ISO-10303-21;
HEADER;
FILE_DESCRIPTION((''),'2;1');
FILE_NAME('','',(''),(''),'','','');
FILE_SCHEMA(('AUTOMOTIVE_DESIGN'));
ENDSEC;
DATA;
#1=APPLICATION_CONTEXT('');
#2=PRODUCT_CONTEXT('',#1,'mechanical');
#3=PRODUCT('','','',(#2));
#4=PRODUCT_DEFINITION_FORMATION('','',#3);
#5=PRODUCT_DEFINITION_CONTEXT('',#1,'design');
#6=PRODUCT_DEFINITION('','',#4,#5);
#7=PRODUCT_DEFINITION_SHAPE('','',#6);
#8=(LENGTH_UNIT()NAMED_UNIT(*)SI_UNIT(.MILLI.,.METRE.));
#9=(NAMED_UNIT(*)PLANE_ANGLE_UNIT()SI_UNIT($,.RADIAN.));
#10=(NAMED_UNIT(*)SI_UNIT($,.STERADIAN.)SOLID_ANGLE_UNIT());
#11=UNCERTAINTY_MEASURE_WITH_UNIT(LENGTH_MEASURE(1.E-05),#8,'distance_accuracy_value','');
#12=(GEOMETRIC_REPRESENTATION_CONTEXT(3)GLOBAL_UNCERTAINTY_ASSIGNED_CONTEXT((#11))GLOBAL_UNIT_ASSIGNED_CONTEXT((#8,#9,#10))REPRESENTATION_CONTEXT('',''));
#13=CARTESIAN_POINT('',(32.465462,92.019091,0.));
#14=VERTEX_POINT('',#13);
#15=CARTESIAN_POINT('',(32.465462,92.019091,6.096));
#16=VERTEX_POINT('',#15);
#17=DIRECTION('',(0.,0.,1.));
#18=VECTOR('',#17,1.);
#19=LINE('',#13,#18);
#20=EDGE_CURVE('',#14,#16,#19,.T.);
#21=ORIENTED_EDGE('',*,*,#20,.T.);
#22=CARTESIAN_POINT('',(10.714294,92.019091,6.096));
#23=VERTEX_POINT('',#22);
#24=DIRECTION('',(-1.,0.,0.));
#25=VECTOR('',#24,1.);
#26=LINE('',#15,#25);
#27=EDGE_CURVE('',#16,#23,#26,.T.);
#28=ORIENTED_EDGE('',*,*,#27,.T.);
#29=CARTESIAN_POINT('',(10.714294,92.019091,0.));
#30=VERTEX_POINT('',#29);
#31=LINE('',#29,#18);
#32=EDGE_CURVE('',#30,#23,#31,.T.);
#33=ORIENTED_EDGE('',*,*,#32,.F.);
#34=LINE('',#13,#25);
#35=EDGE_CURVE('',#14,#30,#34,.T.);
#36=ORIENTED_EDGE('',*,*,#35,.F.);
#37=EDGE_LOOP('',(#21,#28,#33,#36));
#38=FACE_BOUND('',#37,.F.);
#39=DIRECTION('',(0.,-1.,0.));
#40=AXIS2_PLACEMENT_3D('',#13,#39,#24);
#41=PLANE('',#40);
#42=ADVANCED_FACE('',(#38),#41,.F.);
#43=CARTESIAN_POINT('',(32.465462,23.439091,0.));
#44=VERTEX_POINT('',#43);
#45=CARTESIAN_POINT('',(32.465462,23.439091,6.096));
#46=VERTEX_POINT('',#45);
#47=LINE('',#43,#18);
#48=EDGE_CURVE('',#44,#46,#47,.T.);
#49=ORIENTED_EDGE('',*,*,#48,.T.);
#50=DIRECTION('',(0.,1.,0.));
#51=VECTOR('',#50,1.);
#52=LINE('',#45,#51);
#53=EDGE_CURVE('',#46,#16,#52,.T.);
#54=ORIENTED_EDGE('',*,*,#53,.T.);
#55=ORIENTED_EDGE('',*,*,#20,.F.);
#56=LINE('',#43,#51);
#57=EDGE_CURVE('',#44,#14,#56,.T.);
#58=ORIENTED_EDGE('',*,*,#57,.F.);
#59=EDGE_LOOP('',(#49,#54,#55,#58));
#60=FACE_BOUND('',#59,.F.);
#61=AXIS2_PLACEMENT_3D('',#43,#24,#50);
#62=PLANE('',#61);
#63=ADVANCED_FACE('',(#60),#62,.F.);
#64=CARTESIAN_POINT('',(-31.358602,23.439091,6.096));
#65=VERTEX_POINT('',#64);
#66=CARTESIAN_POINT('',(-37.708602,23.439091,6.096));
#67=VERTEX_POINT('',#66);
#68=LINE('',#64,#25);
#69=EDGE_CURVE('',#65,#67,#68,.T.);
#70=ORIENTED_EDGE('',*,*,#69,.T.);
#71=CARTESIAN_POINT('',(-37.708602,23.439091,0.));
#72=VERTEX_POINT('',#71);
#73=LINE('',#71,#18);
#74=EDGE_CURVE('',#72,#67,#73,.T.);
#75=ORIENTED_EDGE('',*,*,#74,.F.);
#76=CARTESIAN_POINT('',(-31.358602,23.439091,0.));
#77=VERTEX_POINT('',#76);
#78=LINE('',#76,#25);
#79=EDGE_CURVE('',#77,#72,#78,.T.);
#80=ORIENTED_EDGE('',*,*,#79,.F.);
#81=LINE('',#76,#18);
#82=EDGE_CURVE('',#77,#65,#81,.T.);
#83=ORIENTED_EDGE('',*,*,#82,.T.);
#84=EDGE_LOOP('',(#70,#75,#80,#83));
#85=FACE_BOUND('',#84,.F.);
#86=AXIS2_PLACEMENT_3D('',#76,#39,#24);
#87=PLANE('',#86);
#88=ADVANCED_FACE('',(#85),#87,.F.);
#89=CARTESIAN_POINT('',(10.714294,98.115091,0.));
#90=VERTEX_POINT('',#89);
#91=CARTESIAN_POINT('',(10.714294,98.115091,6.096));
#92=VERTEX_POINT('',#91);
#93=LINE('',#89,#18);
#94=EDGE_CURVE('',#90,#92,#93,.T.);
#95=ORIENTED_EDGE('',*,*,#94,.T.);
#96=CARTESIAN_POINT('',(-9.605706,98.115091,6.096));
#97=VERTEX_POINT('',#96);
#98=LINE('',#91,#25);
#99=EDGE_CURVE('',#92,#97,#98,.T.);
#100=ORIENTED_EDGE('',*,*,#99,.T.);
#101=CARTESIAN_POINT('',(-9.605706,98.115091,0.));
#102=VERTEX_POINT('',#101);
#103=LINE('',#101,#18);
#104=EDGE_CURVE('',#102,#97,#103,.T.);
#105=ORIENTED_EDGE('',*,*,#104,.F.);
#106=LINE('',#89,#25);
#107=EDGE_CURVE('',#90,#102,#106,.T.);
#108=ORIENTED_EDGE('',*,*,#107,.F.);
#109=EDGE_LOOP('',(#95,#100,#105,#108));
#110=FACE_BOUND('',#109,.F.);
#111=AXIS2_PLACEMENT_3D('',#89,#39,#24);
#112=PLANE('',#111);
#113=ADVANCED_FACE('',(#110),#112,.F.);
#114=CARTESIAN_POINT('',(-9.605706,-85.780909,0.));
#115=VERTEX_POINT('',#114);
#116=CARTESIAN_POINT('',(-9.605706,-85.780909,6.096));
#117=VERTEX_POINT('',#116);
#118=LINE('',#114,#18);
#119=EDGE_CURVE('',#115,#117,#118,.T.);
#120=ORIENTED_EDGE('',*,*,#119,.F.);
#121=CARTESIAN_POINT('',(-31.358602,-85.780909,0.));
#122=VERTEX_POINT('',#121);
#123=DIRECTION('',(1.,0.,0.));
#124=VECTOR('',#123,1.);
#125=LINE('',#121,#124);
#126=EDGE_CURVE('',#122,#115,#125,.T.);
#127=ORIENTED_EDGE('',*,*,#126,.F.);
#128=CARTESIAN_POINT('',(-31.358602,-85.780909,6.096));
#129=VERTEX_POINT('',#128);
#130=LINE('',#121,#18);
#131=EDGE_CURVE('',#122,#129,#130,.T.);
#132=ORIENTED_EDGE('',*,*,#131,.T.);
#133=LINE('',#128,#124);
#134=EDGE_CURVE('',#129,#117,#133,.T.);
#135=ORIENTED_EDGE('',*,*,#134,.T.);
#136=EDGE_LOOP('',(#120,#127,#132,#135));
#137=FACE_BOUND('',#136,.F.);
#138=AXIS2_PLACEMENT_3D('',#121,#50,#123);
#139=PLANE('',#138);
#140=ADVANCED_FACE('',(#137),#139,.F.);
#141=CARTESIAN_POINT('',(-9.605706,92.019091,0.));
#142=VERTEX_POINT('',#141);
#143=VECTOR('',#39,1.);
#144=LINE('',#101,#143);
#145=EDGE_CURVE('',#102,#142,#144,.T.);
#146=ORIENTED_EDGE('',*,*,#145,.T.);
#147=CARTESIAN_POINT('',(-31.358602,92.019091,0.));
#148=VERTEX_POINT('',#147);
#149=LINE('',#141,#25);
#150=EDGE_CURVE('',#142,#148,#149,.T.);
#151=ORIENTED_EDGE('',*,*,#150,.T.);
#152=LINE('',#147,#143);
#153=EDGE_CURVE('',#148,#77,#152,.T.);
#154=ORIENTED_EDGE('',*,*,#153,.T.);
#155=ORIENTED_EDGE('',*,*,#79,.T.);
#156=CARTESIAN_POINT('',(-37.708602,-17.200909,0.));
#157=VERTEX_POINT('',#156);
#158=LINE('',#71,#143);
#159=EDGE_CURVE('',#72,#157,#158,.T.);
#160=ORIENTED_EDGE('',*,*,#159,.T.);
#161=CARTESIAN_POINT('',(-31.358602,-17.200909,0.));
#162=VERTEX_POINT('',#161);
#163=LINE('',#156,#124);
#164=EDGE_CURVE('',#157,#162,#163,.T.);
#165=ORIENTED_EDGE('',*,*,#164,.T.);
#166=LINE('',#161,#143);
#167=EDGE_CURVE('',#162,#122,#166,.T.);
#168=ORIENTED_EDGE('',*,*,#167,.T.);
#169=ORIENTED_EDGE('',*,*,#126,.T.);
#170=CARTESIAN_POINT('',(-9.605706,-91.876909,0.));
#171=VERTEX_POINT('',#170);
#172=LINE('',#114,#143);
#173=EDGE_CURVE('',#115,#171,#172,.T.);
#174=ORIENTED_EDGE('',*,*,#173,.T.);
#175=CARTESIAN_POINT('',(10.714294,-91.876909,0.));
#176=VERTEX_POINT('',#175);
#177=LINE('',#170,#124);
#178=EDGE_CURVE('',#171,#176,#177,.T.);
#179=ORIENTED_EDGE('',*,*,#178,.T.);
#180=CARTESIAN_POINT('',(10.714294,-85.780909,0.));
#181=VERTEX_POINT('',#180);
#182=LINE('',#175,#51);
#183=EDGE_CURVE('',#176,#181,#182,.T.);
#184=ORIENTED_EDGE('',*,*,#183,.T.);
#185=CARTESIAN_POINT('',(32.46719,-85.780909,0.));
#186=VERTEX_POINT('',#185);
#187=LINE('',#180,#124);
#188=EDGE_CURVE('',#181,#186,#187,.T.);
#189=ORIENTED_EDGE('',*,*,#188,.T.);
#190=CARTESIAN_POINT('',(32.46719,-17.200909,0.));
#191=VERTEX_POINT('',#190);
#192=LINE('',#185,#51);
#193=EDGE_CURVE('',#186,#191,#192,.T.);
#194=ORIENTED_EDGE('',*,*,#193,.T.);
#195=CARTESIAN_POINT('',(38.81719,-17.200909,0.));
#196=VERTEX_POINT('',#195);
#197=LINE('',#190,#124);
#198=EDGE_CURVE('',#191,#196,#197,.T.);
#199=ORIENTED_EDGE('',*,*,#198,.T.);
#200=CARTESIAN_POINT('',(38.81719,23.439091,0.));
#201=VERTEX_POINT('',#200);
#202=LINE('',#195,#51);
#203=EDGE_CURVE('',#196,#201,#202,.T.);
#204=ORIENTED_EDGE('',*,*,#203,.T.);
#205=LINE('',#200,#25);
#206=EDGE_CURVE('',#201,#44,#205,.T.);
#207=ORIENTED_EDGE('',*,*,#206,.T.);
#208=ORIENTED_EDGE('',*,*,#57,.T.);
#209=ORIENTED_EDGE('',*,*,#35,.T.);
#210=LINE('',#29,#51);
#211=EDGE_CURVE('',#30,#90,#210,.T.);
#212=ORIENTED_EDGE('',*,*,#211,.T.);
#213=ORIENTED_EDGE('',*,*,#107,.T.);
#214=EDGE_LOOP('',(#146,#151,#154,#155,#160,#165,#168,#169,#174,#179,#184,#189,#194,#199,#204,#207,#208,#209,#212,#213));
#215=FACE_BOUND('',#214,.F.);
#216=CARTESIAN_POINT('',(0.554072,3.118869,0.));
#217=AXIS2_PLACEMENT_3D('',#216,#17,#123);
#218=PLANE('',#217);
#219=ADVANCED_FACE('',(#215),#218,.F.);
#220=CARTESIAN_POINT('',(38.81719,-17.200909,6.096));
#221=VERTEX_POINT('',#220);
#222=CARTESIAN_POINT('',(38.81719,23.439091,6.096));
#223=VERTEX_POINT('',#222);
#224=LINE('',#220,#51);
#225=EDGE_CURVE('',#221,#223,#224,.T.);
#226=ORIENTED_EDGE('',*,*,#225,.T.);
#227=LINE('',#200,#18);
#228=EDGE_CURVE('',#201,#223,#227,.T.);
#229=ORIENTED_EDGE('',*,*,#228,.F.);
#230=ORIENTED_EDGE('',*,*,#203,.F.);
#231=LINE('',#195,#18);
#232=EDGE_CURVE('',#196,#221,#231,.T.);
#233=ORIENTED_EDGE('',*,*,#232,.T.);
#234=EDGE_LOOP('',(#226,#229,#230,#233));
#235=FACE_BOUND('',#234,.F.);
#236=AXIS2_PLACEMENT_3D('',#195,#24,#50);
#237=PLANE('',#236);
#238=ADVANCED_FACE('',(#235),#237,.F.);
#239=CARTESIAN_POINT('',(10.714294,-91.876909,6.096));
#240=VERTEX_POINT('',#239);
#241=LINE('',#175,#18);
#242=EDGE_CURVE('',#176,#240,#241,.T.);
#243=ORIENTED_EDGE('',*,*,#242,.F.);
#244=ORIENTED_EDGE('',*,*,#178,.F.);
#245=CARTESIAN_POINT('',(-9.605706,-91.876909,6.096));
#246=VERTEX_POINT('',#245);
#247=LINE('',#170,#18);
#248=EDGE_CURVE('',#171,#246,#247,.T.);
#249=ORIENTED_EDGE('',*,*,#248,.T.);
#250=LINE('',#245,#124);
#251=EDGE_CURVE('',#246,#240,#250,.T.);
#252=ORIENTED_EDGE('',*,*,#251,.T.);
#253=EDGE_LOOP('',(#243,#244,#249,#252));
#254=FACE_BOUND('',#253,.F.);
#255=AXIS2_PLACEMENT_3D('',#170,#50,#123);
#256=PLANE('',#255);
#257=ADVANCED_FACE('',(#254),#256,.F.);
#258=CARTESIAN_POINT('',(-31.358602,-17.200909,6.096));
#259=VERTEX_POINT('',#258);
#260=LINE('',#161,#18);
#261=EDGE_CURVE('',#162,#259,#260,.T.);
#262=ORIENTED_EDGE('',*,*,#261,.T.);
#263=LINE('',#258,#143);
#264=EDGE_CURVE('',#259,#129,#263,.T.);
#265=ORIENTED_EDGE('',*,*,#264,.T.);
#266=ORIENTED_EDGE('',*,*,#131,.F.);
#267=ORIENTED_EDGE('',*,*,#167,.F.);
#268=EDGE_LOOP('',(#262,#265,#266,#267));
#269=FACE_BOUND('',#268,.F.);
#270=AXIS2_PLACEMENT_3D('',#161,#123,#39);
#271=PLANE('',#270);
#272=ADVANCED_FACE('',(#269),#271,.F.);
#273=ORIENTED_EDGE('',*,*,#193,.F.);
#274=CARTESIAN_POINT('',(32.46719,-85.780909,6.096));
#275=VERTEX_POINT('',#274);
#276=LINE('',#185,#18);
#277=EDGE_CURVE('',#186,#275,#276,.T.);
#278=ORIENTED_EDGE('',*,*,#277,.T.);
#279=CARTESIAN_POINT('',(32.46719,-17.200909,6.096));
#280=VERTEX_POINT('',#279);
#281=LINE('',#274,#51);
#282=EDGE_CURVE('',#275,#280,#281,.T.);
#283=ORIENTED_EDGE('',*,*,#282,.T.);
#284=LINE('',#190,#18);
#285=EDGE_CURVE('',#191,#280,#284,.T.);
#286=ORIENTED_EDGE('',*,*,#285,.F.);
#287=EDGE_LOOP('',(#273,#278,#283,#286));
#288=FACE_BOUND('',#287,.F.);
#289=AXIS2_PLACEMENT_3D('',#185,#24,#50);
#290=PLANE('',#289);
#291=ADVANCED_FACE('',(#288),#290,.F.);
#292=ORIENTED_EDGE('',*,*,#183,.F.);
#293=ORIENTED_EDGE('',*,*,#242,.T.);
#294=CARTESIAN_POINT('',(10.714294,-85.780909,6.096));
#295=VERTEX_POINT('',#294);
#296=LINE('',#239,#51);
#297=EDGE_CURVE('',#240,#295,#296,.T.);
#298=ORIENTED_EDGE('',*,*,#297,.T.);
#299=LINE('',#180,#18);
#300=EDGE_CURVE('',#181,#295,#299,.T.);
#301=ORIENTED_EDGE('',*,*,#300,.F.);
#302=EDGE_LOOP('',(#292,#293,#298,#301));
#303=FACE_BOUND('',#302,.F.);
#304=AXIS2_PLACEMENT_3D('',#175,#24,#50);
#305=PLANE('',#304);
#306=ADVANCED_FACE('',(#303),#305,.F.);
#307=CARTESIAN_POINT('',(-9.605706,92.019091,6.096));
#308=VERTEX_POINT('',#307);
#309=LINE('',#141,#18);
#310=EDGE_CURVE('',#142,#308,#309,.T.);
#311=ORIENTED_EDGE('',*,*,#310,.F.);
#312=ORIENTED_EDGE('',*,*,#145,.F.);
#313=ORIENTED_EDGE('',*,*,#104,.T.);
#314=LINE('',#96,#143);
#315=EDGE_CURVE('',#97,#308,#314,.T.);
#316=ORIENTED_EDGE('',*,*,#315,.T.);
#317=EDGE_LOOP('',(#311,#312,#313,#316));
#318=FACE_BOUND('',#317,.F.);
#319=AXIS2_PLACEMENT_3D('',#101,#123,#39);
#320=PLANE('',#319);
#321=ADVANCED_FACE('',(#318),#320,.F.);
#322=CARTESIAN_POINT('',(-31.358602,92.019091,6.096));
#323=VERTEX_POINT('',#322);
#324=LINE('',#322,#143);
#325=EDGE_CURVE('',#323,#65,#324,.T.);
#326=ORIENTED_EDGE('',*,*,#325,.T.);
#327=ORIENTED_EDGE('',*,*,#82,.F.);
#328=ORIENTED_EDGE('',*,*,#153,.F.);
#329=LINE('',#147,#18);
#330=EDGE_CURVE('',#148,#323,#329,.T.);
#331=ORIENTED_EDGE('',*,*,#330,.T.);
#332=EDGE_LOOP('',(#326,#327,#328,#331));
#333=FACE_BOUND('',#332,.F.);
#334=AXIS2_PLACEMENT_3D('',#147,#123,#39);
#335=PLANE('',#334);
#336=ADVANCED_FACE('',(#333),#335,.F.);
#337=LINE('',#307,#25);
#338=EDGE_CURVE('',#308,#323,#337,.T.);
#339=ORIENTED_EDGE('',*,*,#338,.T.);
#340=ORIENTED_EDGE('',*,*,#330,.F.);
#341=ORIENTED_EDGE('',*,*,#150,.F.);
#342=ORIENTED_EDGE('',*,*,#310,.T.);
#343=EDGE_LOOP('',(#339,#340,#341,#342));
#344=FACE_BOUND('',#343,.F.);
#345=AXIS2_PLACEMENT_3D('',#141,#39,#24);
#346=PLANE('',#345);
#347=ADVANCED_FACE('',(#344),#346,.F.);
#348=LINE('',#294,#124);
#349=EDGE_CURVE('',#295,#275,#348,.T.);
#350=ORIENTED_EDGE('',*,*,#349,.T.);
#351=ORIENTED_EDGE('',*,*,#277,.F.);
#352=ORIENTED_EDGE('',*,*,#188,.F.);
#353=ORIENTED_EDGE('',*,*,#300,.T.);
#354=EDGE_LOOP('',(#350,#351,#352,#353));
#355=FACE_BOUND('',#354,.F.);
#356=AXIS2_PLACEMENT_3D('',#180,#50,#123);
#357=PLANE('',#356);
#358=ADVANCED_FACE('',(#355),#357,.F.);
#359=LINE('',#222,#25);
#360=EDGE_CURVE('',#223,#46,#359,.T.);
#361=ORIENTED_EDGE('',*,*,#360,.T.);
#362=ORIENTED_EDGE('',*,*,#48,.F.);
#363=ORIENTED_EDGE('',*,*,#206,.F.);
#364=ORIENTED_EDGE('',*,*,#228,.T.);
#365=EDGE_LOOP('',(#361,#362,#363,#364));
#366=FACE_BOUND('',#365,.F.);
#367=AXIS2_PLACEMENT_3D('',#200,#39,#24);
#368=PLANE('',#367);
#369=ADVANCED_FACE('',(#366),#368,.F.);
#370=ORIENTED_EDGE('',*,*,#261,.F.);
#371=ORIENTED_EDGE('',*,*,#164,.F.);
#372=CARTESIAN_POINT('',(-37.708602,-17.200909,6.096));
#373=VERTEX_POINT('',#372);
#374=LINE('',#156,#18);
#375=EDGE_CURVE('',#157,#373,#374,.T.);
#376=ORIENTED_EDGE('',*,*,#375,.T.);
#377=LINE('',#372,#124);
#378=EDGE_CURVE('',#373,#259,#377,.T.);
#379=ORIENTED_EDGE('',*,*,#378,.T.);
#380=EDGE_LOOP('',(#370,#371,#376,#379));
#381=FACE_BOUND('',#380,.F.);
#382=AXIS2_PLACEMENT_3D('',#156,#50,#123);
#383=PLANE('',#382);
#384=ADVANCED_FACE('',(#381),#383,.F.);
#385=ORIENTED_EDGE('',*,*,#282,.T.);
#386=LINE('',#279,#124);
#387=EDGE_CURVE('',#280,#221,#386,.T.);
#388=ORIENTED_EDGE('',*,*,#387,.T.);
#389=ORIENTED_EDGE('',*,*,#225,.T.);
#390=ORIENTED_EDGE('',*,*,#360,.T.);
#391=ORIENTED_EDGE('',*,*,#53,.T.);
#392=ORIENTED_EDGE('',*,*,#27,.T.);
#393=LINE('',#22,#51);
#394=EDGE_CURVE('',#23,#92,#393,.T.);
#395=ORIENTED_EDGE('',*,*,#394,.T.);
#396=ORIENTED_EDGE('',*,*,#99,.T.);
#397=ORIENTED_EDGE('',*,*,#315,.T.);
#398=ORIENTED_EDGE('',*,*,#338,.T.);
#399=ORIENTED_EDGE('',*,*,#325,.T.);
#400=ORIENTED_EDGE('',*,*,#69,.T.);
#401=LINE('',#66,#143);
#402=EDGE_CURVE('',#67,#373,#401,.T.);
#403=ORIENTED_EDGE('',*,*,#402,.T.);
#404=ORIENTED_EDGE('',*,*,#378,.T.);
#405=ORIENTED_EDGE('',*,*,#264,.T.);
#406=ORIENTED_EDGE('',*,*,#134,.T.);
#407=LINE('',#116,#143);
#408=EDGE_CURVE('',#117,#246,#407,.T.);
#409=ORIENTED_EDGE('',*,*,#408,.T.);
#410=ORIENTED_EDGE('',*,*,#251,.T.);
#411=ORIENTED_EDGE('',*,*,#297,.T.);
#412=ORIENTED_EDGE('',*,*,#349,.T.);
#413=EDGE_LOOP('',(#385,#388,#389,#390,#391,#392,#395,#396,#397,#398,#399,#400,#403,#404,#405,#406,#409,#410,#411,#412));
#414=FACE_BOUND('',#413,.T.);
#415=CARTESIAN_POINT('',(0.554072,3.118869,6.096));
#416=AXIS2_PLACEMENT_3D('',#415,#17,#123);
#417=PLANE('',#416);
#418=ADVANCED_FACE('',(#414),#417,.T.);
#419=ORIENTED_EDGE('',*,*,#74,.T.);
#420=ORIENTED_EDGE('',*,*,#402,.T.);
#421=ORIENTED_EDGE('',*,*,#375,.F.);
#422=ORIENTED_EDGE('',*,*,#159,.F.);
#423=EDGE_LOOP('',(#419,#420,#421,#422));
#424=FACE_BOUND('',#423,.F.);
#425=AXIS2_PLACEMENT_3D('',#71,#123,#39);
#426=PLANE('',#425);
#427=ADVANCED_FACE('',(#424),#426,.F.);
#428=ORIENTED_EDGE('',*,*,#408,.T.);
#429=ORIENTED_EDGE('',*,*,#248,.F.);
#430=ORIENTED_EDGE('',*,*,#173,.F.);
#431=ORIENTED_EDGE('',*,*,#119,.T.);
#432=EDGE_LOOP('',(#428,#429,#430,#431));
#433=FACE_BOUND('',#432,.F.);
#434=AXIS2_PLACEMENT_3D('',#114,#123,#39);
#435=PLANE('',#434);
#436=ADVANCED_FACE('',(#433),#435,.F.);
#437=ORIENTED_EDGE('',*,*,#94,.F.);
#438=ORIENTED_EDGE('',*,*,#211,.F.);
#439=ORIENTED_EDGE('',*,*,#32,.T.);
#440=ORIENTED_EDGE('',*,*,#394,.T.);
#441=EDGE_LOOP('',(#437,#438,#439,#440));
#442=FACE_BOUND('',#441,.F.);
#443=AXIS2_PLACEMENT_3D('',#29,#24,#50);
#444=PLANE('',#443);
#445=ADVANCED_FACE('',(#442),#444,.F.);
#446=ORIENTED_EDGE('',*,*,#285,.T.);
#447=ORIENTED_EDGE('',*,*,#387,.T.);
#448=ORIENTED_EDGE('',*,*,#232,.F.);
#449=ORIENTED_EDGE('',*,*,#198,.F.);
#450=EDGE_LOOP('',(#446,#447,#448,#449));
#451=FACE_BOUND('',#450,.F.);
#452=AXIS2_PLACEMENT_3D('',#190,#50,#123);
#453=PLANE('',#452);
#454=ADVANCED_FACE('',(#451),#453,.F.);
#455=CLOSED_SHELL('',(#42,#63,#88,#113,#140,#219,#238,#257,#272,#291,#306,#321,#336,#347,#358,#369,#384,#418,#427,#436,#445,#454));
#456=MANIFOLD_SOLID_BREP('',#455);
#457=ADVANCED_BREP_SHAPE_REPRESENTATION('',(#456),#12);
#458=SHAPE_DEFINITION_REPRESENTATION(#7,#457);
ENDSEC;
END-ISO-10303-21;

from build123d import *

# Parameters (mm, degrees)
F1_DEPTH = 6.096


with BuildPart() as f1:
    # F0 (on Top) → F1 (new body)
    with BuildSketch(Plane.XY):
        Polygon((-31.358602, 23.439091), (-37.708602, 23.439091), (-37.708602, -17.200909), (-31.358602, -17.200909), (-31.358602, -85.780909), (-9.605706, -85.780909), (-9.605706, -91.876909), (10.714294, -91.876909), (10.714294, -85.780909), (32.46719, -85.780909), (32.46719, -17.200909), (38.81719, -17.200909), (38.81719, 23.439091), (32.465462, 23.439091), (32.465462, 92.019091), (10.714294, 92.019091), (10.714294, 98.115091), (-9.605706, 98.115091), (-9.605706, 92.019091), (-31.358602, 92.019091), align=None)
    extrude(amount=F1_DEPTH)


solid = f1.part
